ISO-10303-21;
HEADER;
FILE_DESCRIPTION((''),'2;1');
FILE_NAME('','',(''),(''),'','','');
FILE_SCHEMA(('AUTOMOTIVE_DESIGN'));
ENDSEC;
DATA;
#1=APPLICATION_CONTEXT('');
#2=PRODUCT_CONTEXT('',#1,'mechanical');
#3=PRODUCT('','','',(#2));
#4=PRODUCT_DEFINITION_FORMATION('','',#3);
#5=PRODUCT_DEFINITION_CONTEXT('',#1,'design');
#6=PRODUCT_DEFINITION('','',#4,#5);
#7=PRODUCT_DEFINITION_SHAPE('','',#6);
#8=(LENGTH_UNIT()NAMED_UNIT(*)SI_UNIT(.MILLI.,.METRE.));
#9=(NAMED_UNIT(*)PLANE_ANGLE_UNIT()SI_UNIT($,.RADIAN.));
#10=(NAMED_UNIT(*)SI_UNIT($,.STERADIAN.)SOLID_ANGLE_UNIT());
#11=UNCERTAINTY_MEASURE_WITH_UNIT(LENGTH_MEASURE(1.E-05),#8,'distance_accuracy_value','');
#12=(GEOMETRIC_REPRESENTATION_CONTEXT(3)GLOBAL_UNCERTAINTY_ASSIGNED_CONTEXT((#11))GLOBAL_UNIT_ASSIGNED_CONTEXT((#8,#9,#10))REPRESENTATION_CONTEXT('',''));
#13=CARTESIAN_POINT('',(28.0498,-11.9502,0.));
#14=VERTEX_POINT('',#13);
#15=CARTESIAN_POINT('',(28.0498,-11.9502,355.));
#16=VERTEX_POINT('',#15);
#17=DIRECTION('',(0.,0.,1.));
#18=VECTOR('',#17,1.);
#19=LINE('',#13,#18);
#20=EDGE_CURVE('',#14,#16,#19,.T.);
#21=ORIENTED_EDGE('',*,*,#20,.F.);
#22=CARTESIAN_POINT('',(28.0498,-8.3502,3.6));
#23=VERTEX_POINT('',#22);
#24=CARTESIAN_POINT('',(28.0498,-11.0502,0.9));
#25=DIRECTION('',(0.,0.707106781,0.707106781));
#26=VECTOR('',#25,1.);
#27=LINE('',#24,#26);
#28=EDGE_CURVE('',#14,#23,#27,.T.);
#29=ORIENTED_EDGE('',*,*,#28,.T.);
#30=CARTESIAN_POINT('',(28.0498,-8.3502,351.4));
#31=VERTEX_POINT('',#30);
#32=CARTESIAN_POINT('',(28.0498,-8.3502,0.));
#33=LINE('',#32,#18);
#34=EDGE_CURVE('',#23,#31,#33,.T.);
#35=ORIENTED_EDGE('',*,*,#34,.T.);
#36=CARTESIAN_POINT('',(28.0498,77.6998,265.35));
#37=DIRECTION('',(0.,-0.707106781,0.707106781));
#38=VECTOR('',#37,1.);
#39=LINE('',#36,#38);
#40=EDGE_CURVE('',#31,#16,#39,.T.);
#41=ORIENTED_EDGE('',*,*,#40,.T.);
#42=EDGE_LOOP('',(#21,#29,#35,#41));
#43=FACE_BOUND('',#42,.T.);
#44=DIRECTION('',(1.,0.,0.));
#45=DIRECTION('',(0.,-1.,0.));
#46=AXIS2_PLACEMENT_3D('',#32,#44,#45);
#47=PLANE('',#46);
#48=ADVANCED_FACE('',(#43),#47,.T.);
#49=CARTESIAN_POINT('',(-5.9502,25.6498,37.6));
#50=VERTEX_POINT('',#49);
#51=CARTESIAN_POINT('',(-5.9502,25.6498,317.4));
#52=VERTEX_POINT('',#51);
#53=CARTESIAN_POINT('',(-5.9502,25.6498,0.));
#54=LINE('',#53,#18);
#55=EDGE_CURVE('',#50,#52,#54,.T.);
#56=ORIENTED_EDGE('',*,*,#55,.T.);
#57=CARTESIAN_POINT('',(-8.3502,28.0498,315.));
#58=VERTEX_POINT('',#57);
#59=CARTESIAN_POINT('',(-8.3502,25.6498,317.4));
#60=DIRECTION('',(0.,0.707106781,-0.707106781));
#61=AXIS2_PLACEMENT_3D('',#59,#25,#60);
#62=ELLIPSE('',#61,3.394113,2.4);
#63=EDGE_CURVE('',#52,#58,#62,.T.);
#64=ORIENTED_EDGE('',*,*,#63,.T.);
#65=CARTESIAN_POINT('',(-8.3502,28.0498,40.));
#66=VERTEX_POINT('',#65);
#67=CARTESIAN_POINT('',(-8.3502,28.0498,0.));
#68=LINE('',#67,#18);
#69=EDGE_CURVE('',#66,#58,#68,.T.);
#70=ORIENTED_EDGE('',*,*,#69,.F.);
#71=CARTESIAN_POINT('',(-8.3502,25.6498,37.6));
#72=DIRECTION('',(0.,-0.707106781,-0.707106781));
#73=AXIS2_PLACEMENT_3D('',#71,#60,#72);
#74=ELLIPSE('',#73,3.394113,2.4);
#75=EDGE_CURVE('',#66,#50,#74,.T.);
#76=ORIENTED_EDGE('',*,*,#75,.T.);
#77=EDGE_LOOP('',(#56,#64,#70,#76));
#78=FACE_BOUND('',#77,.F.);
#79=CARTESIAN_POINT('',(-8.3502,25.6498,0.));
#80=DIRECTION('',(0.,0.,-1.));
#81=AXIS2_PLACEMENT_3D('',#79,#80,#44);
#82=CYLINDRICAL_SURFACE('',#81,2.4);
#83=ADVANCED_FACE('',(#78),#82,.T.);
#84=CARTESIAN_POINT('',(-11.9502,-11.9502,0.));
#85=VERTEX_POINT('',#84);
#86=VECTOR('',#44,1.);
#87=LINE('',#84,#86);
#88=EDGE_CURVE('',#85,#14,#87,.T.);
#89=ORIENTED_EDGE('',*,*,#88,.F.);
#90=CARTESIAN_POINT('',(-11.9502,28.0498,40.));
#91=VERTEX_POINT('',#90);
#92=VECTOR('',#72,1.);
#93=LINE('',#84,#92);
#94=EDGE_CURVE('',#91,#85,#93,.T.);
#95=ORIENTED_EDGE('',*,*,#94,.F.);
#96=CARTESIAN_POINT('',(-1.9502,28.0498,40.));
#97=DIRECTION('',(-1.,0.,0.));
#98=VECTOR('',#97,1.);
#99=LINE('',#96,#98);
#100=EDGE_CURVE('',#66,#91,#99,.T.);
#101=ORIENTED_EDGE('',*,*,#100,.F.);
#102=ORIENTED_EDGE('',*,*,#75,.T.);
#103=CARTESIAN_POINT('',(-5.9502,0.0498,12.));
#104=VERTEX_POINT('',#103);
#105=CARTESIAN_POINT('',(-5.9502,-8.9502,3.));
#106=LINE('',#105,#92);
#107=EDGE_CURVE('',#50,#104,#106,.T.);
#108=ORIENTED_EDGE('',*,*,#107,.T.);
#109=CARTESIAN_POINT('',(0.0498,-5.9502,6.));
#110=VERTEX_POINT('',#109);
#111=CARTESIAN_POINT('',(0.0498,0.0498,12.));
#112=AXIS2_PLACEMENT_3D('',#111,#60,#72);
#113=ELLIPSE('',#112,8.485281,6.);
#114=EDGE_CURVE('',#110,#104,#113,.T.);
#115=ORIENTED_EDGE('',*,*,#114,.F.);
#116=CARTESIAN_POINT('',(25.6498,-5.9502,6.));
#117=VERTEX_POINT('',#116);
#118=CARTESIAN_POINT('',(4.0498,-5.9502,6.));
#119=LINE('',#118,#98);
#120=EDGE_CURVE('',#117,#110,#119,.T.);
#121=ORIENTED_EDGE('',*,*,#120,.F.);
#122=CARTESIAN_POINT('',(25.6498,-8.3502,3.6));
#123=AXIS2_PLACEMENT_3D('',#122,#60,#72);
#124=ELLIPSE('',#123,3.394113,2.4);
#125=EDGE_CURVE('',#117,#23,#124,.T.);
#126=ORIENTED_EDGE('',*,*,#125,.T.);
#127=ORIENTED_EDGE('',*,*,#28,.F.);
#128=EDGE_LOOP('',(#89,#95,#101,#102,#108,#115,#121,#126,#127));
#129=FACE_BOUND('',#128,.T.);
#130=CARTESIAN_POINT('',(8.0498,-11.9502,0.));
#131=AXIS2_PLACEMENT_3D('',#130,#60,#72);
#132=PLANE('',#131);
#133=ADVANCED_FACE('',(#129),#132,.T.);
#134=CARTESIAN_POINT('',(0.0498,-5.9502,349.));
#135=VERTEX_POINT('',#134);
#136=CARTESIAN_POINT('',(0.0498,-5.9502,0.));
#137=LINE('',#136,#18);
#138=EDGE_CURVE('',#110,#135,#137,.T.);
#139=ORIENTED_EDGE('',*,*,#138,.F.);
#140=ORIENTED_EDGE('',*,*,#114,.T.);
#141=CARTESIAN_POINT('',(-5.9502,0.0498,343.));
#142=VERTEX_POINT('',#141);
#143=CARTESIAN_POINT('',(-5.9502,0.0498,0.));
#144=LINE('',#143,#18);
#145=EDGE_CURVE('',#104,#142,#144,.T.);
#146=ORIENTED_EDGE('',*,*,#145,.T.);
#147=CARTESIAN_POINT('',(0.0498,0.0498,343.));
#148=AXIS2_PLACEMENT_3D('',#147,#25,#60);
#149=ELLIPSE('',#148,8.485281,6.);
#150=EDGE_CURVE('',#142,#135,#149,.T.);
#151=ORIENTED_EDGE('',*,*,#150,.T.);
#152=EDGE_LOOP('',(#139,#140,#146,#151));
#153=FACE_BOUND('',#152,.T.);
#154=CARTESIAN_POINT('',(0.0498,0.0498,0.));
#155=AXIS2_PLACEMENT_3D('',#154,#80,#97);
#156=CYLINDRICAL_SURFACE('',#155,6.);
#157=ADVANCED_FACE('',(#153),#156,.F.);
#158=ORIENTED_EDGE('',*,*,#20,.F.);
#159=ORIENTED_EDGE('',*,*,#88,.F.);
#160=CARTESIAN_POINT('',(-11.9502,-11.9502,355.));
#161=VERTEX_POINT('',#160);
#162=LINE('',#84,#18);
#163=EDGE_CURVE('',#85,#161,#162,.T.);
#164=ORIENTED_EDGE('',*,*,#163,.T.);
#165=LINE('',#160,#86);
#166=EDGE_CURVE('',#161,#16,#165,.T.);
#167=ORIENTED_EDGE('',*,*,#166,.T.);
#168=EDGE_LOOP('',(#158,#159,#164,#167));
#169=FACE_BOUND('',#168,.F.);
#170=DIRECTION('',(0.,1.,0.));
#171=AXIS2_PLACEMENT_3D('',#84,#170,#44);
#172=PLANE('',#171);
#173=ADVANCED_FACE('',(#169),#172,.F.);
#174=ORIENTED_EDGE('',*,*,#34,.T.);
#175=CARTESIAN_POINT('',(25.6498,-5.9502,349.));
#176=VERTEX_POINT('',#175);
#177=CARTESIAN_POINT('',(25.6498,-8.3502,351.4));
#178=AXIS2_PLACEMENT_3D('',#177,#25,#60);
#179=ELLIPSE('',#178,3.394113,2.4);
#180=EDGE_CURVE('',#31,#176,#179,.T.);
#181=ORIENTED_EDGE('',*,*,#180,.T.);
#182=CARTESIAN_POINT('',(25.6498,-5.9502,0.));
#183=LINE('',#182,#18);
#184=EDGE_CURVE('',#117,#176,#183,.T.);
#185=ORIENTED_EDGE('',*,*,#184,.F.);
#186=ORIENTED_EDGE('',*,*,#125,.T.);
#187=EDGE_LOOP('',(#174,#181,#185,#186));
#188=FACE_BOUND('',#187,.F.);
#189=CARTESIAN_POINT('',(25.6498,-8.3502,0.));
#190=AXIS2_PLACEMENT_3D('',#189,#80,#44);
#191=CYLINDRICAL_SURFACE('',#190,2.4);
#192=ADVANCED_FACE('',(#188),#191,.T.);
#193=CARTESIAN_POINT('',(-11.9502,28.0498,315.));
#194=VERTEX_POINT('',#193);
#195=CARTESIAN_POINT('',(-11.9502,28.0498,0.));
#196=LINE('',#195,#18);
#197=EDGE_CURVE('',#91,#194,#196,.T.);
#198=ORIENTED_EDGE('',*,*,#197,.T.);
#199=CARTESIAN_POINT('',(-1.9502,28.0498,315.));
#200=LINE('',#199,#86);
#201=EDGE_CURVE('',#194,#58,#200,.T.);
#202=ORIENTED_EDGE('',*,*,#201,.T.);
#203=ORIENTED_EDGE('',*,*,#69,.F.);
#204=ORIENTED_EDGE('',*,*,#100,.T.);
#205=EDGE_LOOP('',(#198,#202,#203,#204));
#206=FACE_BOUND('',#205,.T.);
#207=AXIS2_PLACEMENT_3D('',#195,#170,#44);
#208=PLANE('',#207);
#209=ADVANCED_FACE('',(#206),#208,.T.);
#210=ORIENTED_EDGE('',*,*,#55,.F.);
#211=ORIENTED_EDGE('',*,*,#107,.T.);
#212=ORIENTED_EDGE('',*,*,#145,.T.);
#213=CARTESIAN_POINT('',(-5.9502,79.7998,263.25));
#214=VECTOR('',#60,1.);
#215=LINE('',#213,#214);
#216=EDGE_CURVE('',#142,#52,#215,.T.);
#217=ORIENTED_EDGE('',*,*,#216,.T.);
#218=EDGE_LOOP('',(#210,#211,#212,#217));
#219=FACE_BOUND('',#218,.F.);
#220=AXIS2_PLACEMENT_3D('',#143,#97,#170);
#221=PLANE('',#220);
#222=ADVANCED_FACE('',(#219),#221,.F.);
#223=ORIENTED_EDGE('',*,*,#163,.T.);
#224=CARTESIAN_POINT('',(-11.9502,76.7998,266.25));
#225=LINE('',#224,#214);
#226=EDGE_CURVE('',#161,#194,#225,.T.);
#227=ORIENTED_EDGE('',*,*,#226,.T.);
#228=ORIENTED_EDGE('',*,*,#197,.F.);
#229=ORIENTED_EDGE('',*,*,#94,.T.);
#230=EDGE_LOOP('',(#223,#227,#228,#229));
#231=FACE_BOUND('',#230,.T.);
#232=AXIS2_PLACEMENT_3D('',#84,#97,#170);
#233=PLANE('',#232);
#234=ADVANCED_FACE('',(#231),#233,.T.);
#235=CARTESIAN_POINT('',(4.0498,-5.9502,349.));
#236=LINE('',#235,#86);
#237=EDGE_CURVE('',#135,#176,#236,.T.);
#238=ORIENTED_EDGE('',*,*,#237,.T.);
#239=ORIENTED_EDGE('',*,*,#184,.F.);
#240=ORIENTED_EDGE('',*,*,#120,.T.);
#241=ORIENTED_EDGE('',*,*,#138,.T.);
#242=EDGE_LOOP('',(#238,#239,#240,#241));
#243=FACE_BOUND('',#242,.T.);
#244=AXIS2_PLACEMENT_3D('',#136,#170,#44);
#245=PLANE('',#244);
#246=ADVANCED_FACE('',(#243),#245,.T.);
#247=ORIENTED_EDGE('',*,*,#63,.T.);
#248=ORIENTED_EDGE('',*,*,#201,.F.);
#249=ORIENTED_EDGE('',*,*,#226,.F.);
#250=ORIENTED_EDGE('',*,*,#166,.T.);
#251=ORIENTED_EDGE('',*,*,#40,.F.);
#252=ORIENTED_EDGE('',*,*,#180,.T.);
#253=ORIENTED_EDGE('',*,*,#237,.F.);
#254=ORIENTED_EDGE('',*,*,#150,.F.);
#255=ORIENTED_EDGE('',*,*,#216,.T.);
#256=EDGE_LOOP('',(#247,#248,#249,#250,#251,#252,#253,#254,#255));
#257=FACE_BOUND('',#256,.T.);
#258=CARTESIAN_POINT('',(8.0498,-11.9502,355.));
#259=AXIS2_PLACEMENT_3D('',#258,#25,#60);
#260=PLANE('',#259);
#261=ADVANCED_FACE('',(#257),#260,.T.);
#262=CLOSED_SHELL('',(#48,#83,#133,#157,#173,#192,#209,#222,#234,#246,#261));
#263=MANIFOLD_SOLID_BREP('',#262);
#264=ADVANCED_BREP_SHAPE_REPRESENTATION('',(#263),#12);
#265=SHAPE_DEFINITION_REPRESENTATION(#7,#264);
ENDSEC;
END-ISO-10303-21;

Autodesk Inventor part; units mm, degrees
ref_plane "Start Plane" through (0, 0, 0) normal (0, 0, 1) x (1, 0, 0)
ref_plane "End Plane" through (0, 0, 355) normal (0, 0, 1) x (1, 0, 0)
sketch "Sketch" plane through (0, 0, 0) normal (0, 0, 1) x (1, 0, 0)
  line L0 (-5.9502, 0.0498) -> (-5.9502, 25.6498)
  line L1 (-11.9502, 28.0498) -> (-8.3502, 28.0498)
  line L2 (-11.9502, -11.9502) -> (-11.9502, 28.0498)
  line L3 (-11.9502, -11.9502) -> (28.0498, -11.9502)
  line L4 (28.0498, -8.3502) -> (28.0498, -11.9502)
  line L5 (0.0498, -5.9502) -> (25.6498, -5.9502)
  arc A0 (-5.9502, 0.0498) -> (0.0498, -5.9502) centre (0.0498, 0.0498) ccw
  arc A1 (-5.9502, 25.6498) -> (-8.3502, 28.0498) centre (-8.3502, 25.6498) ccw
  arc A2 (28.0498, -8.3502) -> (25.6498, -5.9502) centre (25.6498, -8.3502) ccw
  line L6 (0, 36.6463) -> (0, -20.0496) construction
  line L7 (-20.0496, 0) -> (36.6463, 0) construction
  point P0 (-5.9502, -5.9502)
  point P1 (-5.9502, 28.0498)
  point P2 (28.0498, -5.9502)
  dimension "d4" = 40
  dimension "d6" = 40
  dimension "d8" = 6
  dimension "d10" = 6
  dimension "d17" = 6
  dimension "d18" = 2.4
  dimension "d19" = 11.9502
  dimension "d20" = 11.9502
extrude "Body" add sketch "Sketch" along normal up to surface (355 mm away) from surface at 0
sketch "Sketch3" plane through (0, 0, 0) normal (0, 0, 1) x (1, 0, 0)
  line L0 (0, 0) -> (10, 0)
ref_plane "Work Plane10" through (0, 0, 0) normal (0, -1, 0) x (1, 0, 0)
sketch "Sketch4" plane through (0, 0, 0) normal (0, -1, 0) x (1, 0, 0)
  line L0 (-2, 0) -> (12, 0)
  line L1 (-2, 355) -> (12, 355)
  dimension "d24" = 355
ref_plane "Work Plane11" through (8.0498, -11.9502, 355) normal (0, 0.7071, 0.7071) x (1, 0, 0)
split "Split1" plane through (8.0498, -11.9502, 355) removes the side toward (0, 0.7071, 0.7071)
ref_plane "Work Plane12" through (8.0498, -11.9502, 0) normal (0, 0.7071, -0.7071) x (1, 0, 0)
split "Split2" plane through (8.0498, -11.9502, 0) removes the side toward (0, 0.7071, -0.7071)
equation "\"d4\" = b"
equation "\"d6\" = b"
equation "\"d8\" = ParT"
equation "\"d10\" = ParT"
equation "\"d17\" = R"
equation "\"d18\" = R1"
equation "\"d19\" = ex"
equation "\"d20\" = d19"
equation "\"d11\" = G_L"
equation "\"b\" = 40"
equation "\"ParT\" = 6"
equation "\"R\" = 6"
equation "\"R1\" = 2.4"
equation "\"G_L\" = d24"
equation "\"G_OFFSET_START\" = 0"
equation "\"G_OFFSET_END\" = 0"
equation "\"d22\" = G_OFFSET_END + B_L"
equation "\"B_L\" = 355"
equation "\"ex\" = 11.950185"
properties part number "BS 4848 - 40x40x6-355" material "Steel, Mild"
